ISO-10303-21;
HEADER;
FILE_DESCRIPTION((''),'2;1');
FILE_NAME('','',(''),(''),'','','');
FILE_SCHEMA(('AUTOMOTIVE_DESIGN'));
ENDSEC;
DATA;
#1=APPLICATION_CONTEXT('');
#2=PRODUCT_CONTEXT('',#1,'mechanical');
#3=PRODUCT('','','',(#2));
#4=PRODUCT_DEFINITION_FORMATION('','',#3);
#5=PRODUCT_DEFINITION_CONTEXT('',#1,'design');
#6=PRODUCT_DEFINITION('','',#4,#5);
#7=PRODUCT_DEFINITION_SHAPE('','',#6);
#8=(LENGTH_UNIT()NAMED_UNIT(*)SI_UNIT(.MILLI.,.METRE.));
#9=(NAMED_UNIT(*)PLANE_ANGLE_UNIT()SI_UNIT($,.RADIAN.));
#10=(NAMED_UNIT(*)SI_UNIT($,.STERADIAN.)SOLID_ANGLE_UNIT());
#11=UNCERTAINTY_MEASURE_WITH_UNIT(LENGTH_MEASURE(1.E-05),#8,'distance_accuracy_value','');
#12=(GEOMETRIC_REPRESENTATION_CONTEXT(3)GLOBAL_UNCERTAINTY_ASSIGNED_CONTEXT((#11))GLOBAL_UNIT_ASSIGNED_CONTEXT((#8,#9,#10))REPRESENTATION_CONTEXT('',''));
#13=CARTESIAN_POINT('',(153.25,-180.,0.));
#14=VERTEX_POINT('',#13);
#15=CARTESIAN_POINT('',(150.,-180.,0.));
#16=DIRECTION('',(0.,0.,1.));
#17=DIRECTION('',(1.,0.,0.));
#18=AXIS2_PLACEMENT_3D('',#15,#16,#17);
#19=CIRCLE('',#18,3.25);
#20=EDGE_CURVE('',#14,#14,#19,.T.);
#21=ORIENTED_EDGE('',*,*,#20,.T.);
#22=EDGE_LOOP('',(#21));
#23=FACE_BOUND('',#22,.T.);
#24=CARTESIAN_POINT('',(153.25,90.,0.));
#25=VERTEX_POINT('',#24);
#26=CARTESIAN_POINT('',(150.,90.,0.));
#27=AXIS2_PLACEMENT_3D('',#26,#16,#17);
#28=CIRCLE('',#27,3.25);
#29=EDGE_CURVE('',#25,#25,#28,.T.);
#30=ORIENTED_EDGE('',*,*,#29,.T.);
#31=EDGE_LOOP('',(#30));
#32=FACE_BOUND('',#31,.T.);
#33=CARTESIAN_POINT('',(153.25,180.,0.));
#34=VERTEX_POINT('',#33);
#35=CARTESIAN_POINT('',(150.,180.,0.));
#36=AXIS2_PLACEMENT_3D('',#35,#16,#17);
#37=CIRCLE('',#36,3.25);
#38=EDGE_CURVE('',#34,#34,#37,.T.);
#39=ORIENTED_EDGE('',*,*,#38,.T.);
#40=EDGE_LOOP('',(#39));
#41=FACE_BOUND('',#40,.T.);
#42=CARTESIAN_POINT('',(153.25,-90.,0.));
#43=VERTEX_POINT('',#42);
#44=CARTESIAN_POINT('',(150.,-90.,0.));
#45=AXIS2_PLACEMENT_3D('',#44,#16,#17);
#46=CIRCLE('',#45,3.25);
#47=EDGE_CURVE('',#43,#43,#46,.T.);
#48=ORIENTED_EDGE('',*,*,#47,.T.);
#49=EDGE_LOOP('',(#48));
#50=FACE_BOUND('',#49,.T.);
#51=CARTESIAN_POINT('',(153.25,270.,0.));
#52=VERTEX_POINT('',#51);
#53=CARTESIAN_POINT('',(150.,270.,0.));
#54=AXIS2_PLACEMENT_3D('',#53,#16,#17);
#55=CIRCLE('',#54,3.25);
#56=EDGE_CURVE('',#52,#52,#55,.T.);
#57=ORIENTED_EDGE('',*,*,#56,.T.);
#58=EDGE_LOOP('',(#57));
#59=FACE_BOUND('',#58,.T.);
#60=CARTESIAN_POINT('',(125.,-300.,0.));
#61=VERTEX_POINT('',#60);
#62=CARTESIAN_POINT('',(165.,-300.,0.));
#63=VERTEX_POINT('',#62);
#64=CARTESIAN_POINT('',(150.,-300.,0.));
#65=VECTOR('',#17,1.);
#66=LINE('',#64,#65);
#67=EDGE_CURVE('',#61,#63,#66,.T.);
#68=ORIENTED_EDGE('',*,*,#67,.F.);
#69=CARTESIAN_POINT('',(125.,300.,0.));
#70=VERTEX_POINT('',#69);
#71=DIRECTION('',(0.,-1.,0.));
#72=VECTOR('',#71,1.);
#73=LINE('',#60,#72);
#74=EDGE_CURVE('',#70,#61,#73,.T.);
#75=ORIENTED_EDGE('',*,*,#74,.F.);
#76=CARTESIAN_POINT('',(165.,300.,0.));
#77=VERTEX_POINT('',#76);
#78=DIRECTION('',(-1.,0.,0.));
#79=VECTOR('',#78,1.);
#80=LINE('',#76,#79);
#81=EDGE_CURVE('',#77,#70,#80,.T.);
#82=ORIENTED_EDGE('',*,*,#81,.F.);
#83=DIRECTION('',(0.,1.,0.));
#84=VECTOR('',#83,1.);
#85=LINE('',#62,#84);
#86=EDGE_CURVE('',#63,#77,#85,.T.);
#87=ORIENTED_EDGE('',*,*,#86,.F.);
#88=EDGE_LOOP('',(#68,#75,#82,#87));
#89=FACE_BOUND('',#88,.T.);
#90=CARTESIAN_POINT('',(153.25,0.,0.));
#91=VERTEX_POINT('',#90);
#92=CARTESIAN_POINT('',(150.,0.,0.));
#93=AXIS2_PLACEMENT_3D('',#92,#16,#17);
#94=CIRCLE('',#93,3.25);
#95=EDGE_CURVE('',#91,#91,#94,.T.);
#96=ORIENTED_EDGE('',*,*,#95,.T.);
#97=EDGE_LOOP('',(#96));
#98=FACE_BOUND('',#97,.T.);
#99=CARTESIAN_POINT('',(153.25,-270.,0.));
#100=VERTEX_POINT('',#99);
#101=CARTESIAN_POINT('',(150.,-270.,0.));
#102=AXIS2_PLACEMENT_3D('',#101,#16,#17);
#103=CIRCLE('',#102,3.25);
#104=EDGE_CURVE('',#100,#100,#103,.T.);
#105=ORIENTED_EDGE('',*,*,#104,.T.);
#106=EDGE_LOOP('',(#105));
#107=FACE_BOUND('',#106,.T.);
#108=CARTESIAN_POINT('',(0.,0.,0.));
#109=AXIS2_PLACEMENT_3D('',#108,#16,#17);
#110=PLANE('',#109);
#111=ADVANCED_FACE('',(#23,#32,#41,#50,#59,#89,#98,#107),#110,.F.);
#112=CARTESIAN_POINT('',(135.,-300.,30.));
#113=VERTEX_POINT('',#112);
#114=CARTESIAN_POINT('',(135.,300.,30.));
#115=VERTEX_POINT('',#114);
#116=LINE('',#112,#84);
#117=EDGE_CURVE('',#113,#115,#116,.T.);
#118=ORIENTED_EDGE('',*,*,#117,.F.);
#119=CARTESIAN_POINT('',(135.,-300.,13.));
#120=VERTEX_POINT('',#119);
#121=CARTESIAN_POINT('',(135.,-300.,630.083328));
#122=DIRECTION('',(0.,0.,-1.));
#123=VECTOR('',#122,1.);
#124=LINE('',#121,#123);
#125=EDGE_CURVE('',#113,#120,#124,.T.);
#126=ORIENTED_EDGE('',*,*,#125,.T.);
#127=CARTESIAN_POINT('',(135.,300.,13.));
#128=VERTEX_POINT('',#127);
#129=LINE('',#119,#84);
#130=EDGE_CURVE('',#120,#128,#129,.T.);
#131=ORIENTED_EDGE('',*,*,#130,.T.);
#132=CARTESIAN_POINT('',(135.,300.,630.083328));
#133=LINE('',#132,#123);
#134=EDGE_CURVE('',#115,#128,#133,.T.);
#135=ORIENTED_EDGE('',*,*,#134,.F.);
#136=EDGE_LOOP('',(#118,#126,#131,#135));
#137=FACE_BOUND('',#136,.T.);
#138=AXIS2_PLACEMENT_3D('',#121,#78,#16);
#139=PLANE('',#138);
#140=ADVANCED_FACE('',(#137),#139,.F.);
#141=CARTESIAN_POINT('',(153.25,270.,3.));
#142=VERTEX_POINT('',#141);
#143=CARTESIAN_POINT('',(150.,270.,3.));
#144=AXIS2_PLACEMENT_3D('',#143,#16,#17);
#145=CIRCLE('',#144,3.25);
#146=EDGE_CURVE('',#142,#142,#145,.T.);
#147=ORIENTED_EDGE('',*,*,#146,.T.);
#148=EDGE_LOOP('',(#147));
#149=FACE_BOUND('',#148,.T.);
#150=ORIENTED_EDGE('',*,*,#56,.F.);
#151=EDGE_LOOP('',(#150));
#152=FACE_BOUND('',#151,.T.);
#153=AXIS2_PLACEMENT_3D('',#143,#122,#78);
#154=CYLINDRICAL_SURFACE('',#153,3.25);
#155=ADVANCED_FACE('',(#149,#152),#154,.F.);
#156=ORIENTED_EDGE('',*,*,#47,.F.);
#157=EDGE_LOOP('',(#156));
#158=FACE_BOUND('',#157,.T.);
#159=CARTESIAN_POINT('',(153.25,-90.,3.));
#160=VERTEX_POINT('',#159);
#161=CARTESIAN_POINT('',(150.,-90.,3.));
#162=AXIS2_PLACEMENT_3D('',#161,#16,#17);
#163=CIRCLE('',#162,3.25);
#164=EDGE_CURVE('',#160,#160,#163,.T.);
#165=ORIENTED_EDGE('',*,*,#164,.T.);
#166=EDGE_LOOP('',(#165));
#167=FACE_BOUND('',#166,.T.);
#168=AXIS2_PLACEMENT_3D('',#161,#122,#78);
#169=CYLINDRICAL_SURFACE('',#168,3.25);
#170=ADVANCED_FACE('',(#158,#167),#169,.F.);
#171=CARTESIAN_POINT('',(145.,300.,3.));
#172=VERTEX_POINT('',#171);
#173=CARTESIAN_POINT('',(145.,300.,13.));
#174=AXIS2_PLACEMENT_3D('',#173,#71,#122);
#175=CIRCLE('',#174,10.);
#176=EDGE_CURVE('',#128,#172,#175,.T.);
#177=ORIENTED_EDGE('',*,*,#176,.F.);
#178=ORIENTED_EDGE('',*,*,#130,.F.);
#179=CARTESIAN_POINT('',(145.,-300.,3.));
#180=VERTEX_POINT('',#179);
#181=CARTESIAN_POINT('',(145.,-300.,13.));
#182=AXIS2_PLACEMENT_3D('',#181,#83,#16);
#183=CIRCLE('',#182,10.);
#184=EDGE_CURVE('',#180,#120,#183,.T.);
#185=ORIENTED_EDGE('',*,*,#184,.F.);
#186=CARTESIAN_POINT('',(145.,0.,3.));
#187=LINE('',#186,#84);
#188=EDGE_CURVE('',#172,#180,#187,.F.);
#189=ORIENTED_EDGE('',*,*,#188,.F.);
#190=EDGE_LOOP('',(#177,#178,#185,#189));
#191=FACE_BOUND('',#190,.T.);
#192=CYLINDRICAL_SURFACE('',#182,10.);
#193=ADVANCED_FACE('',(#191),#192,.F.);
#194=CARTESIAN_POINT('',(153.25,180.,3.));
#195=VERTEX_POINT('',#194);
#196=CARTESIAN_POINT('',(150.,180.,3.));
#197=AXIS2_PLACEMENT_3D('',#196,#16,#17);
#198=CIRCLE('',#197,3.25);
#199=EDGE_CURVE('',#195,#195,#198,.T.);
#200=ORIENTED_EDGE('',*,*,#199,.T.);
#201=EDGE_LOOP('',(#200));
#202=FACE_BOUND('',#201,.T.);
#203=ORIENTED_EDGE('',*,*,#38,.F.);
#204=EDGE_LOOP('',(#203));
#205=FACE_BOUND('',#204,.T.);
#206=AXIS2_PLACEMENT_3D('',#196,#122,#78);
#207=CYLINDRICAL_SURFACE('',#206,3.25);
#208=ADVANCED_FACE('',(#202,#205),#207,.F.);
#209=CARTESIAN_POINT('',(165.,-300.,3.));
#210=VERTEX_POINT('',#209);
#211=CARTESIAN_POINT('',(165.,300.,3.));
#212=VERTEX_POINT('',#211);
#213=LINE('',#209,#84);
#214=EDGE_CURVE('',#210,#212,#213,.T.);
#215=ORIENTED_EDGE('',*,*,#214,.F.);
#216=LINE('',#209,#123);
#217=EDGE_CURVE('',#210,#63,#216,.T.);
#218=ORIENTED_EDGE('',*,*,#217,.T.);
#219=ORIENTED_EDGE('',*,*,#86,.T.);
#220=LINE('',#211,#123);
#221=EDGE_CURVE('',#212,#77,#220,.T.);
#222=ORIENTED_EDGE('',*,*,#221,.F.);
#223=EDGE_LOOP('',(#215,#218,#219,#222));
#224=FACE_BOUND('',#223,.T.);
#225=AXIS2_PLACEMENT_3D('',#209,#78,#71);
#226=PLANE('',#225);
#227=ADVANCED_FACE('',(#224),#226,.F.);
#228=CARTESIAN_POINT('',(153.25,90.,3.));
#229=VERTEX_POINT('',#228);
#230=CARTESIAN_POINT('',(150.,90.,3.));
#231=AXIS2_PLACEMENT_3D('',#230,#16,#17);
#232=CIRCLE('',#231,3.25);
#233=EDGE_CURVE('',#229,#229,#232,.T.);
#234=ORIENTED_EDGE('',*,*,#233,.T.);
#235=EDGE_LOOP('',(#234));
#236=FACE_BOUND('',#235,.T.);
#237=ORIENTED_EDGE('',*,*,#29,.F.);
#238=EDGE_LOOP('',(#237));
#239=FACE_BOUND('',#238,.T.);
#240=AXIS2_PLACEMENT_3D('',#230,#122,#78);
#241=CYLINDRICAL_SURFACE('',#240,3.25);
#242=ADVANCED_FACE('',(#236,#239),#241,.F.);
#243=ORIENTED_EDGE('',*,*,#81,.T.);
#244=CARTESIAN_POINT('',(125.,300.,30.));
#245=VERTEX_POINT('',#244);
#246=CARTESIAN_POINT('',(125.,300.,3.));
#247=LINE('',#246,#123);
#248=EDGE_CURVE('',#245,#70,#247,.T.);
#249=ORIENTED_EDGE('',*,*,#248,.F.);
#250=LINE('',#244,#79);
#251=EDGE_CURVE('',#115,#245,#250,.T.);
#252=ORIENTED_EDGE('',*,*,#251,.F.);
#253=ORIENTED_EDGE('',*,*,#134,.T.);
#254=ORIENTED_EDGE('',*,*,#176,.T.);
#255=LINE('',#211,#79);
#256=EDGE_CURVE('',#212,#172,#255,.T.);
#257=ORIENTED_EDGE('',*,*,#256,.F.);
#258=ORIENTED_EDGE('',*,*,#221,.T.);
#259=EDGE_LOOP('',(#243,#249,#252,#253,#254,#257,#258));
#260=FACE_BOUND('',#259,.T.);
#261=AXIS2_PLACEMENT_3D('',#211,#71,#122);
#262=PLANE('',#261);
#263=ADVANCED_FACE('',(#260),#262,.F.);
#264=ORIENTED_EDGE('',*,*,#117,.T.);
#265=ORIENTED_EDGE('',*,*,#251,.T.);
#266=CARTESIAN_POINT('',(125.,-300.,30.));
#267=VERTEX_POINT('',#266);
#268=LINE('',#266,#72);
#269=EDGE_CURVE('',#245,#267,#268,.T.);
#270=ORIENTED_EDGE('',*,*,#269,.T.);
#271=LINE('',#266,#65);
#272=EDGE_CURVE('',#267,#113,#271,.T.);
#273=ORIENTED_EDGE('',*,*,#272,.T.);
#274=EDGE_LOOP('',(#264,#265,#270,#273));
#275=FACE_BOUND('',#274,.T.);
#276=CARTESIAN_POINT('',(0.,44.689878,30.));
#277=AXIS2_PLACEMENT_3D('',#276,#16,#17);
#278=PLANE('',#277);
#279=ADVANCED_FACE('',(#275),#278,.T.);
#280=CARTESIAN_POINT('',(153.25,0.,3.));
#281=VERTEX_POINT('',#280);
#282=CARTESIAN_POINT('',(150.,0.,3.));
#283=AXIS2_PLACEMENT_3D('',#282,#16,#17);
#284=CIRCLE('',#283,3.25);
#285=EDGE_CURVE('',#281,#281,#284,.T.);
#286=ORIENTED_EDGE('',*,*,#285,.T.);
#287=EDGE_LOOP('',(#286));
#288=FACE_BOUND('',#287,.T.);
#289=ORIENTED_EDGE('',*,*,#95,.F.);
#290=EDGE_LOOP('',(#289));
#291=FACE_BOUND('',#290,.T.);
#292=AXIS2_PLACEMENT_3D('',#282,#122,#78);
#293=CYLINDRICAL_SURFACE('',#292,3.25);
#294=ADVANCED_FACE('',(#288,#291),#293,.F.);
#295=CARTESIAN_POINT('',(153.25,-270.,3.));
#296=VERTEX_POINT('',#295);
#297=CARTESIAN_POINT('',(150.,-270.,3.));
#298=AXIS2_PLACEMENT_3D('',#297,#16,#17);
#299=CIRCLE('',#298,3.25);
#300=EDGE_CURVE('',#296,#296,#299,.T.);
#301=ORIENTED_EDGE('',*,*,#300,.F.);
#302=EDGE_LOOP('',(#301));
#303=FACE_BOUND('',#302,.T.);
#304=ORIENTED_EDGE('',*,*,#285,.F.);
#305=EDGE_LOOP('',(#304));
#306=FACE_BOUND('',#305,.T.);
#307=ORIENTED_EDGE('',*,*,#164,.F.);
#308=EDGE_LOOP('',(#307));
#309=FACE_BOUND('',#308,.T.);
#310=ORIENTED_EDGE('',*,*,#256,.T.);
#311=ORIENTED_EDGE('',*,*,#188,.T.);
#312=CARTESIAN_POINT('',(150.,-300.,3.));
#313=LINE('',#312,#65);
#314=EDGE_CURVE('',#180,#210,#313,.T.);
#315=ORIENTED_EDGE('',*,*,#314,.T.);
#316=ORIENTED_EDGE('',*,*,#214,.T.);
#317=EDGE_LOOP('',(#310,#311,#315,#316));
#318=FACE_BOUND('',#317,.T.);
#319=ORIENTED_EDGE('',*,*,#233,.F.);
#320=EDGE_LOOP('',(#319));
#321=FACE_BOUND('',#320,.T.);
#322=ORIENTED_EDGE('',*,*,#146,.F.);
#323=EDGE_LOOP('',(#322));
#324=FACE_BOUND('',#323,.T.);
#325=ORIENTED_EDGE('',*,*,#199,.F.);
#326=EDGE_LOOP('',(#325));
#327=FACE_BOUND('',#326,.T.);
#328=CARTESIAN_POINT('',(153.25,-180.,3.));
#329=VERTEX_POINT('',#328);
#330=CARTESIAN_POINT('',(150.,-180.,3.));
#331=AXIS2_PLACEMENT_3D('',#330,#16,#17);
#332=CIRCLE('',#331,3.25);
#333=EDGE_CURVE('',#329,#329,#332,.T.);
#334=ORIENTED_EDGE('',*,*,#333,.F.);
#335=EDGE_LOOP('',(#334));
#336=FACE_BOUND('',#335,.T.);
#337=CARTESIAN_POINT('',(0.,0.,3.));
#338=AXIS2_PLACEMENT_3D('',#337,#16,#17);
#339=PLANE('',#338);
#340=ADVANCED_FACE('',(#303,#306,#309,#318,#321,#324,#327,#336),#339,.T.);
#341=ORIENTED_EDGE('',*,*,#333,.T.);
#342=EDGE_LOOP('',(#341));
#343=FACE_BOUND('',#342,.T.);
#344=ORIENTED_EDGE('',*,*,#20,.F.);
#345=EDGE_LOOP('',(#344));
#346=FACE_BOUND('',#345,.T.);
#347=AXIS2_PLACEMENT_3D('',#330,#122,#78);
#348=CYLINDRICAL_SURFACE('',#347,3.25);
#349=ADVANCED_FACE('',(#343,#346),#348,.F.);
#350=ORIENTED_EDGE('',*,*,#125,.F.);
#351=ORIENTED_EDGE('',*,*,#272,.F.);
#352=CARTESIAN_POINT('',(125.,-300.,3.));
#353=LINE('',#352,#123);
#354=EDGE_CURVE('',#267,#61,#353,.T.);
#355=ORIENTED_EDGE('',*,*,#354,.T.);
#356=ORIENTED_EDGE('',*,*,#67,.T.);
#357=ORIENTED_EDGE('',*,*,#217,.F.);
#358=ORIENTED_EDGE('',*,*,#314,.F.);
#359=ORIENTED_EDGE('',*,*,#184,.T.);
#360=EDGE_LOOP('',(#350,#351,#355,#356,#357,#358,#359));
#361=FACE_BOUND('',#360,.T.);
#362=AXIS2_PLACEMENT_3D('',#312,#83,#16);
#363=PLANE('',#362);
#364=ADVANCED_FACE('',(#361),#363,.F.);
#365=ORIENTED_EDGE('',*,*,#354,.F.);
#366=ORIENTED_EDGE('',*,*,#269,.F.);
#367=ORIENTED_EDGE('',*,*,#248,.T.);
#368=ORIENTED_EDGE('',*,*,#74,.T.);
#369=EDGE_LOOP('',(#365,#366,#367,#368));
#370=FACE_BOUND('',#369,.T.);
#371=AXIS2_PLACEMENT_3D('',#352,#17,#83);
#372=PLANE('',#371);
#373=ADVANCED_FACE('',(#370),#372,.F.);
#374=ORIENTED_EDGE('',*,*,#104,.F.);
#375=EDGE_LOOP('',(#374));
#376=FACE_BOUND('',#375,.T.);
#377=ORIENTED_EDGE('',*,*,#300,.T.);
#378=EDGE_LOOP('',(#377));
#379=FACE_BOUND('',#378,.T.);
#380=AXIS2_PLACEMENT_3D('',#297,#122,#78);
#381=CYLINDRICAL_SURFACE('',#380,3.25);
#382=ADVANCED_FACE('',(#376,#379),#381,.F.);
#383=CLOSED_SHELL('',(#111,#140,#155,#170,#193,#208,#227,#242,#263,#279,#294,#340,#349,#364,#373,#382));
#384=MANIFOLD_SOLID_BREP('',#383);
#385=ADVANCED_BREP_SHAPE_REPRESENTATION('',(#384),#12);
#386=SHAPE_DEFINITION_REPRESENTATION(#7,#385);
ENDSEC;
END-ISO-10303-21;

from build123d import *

# Parameters (mm, degrees)
SKETCH1_R           = 3.25
BOSS_EXTRUDE1_DEPTH = 3
SKETCH2_W           = 10
SKETCH2_H           = 600
BOSS_EXTRUDE2_DEPTH = 27
FILLET1_R           = 10


with BuildPart() as part:
    # Sketch1 → Boss-Extrude1 (new body)
    with BuildSketch(Plane.XY):
        Polygon((125, -300), (125, 300), (165, 300), (165, -300), (150, -300), align=None)
        with Locations((150, 270)):
            Circle(SKETCH1_R, mode=Mode.SUBTRACT)
        with Locations((150, 180)):
            Circle(SKETCH1_R, mode=Mode.SUBTRACT)
        with Locations((150, 90)):
            Circle(SKETCH1_R, mode=Mode.SUBTRACT)
        with Locations((150, 0)):
            Circle(SKETCH1_R, mode=Mode.SUBTRACT)
        with Locations((150, -90)):
            Circle(SKETCH1_R, mode=Mode.SUBTRACT)
        with Locations((150, -180)):
            Circle(SKETCH1_R, mode=Mode.SUBTRACT)
        with Locations((150, -270)):
            Circle(SKETCH1_R, mode=Mode.SUBTRACT)
    extrude(amount=BOSS_EXTRUDE1_DEPTH)

    # Sketch2 → Boss-Extrude2 (add)
    with BuildSketch(Plane.XY.offset(3)):
        with Locations((130, 0)):
            Rectangle(SKETCH2_W, SKETCH2_H)
    extrude(amount=BOSS_EXTRUDE2_DEPTH)

    # Fillet1
    fillet1_edges = [part.edges().sort_by_distance(p)[0] for p in [
        (135, 0, 3),
    ]]
    fillet(fillet1_edges, radius=FILLET1_R)


solid = part.part
